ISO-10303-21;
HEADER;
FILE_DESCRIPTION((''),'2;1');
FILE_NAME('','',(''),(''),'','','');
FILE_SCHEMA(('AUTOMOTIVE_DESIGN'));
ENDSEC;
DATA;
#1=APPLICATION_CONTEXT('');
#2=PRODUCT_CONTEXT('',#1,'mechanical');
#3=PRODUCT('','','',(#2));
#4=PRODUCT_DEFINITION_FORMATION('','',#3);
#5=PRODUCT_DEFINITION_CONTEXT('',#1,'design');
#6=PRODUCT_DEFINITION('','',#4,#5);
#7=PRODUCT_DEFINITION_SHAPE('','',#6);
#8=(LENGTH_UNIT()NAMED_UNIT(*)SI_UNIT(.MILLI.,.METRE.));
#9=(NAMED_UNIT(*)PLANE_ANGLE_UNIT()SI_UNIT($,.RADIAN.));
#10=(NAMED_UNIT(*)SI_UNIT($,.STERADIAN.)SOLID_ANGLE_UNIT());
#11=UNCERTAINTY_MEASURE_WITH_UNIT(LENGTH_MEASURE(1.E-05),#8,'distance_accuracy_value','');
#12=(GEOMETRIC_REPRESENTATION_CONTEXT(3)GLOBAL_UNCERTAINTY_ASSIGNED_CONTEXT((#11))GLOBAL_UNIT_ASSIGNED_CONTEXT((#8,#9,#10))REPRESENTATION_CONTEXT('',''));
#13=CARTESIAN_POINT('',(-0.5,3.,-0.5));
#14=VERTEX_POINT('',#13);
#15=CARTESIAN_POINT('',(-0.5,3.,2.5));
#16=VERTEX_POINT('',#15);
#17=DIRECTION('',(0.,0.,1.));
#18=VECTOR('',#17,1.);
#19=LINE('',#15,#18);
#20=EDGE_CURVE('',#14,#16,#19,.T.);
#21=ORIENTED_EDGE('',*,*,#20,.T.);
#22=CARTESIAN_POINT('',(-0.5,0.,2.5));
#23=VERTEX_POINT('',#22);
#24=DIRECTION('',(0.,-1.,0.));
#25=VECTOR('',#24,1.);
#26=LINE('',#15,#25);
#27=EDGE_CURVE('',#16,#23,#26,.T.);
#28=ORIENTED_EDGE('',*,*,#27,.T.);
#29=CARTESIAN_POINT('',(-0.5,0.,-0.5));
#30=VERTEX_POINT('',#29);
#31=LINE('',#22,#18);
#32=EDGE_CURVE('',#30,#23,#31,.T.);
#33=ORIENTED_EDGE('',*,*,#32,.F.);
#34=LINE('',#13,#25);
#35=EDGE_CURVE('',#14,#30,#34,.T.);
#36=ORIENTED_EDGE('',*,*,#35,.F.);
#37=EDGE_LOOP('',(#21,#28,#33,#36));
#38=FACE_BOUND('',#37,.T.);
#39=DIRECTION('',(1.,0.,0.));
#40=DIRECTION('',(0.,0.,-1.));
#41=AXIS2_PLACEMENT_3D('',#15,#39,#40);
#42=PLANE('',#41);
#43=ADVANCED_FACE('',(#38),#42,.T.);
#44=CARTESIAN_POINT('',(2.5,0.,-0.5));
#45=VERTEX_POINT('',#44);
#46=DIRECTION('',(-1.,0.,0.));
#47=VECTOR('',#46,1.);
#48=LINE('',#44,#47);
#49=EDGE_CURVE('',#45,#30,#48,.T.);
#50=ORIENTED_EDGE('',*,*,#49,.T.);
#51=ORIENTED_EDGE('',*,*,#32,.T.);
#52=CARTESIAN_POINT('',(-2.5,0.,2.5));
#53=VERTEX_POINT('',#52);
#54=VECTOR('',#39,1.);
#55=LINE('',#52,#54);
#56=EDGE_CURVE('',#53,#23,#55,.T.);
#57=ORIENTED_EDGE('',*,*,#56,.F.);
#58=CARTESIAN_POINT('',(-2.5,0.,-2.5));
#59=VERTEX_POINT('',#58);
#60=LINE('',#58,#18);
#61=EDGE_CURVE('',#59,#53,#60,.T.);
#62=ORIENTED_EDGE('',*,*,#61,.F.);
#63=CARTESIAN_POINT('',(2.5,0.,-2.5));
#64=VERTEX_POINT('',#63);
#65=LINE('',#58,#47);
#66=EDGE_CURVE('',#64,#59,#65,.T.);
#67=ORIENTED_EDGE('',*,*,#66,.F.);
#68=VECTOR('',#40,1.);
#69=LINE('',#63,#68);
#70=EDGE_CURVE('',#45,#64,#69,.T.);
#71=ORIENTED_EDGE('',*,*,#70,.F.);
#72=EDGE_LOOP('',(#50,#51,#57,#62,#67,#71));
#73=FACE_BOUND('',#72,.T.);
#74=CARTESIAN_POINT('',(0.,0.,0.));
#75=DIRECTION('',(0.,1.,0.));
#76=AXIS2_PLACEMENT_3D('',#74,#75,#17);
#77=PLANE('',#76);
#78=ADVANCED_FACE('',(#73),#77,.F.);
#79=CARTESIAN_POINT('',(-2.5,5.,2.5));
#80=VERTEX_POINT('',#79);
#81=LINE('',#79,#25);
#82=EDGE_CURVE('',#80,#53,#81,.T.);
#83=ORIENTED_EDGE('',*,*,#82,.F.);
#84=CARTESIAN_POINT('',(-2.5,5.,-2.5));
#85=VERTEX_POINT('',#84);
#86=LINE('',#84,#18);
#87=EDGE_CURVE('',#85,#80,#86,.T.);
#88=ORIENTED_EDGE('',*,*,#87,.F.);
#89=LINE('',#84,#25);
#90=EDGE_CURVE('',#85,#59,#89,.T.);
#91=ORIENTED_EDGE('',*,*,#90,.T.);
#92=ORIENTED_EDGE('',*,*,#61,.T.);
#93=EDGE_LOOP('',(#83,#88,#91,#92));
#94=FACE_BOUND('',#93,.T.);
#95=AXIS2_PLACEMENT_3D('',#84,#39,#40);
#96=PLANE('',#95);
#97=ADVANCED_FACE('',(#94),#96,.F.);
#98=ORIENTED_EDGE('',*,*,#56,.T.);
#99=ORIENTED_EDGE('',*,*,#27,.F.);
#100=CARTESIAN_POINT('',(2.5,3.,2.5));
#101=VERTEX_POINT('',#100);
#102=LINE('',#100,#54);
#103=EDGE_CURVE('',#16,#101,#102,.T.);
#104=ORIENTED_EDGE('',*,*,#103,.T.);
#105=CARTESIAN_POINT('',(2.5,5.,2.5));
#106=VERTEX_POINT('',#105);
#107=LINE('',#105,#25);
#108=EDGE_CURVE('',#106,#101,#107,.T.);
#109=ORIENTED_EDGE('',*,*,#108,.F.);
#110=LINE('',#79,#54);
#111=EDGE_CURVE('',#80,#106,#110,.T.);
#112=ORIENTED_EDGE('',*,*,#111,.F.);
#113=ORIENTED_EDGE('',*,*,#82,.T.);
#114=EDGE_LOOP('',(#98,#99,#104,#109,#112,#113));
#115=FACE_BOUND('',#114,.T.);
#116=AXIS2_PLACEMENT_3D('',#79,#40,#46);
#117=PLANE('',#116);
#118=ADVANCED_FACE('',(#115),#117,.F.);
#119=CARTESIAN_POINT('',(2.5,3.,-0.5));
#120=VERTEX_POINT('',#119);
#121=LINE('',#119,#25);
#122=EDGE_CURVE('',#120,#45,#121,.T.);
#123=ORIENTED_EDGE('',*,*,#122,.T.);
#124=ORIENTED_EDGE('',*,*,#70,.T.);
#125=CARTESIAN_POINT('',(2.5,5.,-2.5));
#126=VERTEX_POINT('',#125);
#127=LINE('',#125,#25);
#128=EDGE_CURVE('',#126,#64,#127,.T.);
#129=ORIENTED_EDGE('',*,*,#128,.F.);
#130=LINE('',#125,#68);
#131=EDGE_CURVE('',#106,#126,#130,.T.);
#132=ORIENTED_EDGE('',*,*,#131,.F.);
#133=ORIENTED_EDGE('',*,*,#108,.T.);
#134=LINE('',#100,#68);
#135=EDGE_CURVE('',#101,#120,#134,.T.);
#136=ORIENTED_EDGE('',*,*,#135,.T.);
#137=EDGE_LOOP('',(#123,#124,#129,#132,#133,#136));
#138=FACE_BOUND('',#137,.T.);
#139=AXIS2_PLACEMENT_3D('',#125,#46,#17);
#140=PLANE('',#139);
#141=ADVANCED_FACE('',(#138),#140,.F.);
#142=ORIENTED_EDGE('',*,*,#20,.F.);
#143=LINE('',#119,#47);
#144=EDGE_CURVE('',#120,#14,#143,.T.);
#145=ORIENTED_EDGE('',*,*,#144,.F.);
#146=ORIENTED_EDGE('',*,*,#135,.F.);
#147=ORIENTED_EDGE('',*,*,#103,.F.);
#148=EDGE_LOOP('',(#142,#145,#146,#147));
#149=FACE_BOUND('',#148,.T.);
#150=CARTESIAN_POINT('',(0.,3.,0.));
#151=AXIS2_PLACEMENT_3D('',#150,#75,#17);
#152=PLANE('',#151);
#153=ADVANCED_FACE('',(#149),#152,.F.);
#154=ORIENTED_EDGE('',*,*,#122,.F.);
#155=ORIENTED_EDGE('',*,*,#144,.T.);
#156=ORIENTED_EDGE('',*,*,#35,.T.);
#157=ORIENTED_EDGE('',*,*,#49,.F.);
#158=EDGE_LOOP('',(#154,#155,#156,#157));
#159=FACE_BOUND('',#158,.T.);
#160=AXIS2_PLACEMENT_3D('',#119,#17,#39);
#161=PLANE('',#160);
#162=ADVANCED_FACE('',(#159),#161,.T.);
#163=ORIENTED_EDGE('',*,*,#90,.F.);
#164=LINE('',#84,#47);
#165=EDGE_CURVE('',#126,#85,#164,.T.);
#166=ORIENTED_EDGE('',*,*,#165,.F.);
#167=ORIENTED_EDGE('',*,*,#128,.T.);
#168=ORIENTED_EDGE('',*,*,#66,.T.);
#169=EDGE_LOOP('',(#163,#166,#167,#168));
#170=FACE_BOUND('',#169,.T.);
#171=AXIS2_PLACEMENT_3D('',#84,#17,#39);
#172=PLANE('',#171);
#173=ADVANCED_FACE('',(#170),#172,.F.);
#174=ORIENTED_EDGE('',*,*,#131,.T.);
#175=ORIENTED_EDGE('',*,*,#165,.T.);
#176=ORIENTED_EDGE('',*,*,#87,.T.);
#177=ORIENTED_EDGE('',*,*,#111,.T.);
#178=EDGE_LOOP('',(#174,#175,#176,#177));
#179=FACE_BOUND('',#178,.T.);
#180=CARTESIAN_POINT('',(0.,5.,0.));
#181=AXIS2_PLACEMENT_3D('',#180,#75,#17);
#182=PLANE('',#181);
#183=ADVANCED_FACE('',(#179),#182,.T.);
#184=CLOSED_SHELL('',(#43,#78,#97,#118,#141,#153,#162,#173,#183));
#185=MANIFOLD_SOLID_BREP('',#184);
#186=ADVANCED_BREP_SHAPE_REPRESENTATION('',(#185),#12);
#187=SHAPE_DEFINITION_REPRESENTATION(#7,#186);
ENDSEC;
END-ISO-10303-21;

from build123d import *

# Parameters (mm, degrees)
SKETCH1_W           = 5
SKETCH1_H           = 5
BOSS_EXTRUDE1_DEPTH = 5
SKETCH2_W           = 3
SKETCH2_H           = 3
CUT_EXTRUDE1_DEPTH  = 3


with BuildPart() as part:
    # Sketch1 → Boss-Extrude1 (new body)
    with BuildSketch(Plane(origin=(0, 0, 0), x_dir=(1, 0, 0), z_dir=(0, 1, 0))):
        Rectangle(SKETCH1_W, SKETCH1_H)
    extrude(amount=BOSS_EXTRUDE1_DEPTH)

    # Sketch2 → Cut-Extrude1 (cut)
    with BuildSketch(Plane(origin=(0, 0, 0), x_dir=(1, 0, 0), z_dir=(0, 1, 0))):
        with Locations((1, -1)):
            Rectangle(SKETCH2_W, SKETCH2_H)
    extrude(amount=CUT_EXTRUDE1_DEPTH, mode=Mode.SUBTRACT)


solid = part.part
